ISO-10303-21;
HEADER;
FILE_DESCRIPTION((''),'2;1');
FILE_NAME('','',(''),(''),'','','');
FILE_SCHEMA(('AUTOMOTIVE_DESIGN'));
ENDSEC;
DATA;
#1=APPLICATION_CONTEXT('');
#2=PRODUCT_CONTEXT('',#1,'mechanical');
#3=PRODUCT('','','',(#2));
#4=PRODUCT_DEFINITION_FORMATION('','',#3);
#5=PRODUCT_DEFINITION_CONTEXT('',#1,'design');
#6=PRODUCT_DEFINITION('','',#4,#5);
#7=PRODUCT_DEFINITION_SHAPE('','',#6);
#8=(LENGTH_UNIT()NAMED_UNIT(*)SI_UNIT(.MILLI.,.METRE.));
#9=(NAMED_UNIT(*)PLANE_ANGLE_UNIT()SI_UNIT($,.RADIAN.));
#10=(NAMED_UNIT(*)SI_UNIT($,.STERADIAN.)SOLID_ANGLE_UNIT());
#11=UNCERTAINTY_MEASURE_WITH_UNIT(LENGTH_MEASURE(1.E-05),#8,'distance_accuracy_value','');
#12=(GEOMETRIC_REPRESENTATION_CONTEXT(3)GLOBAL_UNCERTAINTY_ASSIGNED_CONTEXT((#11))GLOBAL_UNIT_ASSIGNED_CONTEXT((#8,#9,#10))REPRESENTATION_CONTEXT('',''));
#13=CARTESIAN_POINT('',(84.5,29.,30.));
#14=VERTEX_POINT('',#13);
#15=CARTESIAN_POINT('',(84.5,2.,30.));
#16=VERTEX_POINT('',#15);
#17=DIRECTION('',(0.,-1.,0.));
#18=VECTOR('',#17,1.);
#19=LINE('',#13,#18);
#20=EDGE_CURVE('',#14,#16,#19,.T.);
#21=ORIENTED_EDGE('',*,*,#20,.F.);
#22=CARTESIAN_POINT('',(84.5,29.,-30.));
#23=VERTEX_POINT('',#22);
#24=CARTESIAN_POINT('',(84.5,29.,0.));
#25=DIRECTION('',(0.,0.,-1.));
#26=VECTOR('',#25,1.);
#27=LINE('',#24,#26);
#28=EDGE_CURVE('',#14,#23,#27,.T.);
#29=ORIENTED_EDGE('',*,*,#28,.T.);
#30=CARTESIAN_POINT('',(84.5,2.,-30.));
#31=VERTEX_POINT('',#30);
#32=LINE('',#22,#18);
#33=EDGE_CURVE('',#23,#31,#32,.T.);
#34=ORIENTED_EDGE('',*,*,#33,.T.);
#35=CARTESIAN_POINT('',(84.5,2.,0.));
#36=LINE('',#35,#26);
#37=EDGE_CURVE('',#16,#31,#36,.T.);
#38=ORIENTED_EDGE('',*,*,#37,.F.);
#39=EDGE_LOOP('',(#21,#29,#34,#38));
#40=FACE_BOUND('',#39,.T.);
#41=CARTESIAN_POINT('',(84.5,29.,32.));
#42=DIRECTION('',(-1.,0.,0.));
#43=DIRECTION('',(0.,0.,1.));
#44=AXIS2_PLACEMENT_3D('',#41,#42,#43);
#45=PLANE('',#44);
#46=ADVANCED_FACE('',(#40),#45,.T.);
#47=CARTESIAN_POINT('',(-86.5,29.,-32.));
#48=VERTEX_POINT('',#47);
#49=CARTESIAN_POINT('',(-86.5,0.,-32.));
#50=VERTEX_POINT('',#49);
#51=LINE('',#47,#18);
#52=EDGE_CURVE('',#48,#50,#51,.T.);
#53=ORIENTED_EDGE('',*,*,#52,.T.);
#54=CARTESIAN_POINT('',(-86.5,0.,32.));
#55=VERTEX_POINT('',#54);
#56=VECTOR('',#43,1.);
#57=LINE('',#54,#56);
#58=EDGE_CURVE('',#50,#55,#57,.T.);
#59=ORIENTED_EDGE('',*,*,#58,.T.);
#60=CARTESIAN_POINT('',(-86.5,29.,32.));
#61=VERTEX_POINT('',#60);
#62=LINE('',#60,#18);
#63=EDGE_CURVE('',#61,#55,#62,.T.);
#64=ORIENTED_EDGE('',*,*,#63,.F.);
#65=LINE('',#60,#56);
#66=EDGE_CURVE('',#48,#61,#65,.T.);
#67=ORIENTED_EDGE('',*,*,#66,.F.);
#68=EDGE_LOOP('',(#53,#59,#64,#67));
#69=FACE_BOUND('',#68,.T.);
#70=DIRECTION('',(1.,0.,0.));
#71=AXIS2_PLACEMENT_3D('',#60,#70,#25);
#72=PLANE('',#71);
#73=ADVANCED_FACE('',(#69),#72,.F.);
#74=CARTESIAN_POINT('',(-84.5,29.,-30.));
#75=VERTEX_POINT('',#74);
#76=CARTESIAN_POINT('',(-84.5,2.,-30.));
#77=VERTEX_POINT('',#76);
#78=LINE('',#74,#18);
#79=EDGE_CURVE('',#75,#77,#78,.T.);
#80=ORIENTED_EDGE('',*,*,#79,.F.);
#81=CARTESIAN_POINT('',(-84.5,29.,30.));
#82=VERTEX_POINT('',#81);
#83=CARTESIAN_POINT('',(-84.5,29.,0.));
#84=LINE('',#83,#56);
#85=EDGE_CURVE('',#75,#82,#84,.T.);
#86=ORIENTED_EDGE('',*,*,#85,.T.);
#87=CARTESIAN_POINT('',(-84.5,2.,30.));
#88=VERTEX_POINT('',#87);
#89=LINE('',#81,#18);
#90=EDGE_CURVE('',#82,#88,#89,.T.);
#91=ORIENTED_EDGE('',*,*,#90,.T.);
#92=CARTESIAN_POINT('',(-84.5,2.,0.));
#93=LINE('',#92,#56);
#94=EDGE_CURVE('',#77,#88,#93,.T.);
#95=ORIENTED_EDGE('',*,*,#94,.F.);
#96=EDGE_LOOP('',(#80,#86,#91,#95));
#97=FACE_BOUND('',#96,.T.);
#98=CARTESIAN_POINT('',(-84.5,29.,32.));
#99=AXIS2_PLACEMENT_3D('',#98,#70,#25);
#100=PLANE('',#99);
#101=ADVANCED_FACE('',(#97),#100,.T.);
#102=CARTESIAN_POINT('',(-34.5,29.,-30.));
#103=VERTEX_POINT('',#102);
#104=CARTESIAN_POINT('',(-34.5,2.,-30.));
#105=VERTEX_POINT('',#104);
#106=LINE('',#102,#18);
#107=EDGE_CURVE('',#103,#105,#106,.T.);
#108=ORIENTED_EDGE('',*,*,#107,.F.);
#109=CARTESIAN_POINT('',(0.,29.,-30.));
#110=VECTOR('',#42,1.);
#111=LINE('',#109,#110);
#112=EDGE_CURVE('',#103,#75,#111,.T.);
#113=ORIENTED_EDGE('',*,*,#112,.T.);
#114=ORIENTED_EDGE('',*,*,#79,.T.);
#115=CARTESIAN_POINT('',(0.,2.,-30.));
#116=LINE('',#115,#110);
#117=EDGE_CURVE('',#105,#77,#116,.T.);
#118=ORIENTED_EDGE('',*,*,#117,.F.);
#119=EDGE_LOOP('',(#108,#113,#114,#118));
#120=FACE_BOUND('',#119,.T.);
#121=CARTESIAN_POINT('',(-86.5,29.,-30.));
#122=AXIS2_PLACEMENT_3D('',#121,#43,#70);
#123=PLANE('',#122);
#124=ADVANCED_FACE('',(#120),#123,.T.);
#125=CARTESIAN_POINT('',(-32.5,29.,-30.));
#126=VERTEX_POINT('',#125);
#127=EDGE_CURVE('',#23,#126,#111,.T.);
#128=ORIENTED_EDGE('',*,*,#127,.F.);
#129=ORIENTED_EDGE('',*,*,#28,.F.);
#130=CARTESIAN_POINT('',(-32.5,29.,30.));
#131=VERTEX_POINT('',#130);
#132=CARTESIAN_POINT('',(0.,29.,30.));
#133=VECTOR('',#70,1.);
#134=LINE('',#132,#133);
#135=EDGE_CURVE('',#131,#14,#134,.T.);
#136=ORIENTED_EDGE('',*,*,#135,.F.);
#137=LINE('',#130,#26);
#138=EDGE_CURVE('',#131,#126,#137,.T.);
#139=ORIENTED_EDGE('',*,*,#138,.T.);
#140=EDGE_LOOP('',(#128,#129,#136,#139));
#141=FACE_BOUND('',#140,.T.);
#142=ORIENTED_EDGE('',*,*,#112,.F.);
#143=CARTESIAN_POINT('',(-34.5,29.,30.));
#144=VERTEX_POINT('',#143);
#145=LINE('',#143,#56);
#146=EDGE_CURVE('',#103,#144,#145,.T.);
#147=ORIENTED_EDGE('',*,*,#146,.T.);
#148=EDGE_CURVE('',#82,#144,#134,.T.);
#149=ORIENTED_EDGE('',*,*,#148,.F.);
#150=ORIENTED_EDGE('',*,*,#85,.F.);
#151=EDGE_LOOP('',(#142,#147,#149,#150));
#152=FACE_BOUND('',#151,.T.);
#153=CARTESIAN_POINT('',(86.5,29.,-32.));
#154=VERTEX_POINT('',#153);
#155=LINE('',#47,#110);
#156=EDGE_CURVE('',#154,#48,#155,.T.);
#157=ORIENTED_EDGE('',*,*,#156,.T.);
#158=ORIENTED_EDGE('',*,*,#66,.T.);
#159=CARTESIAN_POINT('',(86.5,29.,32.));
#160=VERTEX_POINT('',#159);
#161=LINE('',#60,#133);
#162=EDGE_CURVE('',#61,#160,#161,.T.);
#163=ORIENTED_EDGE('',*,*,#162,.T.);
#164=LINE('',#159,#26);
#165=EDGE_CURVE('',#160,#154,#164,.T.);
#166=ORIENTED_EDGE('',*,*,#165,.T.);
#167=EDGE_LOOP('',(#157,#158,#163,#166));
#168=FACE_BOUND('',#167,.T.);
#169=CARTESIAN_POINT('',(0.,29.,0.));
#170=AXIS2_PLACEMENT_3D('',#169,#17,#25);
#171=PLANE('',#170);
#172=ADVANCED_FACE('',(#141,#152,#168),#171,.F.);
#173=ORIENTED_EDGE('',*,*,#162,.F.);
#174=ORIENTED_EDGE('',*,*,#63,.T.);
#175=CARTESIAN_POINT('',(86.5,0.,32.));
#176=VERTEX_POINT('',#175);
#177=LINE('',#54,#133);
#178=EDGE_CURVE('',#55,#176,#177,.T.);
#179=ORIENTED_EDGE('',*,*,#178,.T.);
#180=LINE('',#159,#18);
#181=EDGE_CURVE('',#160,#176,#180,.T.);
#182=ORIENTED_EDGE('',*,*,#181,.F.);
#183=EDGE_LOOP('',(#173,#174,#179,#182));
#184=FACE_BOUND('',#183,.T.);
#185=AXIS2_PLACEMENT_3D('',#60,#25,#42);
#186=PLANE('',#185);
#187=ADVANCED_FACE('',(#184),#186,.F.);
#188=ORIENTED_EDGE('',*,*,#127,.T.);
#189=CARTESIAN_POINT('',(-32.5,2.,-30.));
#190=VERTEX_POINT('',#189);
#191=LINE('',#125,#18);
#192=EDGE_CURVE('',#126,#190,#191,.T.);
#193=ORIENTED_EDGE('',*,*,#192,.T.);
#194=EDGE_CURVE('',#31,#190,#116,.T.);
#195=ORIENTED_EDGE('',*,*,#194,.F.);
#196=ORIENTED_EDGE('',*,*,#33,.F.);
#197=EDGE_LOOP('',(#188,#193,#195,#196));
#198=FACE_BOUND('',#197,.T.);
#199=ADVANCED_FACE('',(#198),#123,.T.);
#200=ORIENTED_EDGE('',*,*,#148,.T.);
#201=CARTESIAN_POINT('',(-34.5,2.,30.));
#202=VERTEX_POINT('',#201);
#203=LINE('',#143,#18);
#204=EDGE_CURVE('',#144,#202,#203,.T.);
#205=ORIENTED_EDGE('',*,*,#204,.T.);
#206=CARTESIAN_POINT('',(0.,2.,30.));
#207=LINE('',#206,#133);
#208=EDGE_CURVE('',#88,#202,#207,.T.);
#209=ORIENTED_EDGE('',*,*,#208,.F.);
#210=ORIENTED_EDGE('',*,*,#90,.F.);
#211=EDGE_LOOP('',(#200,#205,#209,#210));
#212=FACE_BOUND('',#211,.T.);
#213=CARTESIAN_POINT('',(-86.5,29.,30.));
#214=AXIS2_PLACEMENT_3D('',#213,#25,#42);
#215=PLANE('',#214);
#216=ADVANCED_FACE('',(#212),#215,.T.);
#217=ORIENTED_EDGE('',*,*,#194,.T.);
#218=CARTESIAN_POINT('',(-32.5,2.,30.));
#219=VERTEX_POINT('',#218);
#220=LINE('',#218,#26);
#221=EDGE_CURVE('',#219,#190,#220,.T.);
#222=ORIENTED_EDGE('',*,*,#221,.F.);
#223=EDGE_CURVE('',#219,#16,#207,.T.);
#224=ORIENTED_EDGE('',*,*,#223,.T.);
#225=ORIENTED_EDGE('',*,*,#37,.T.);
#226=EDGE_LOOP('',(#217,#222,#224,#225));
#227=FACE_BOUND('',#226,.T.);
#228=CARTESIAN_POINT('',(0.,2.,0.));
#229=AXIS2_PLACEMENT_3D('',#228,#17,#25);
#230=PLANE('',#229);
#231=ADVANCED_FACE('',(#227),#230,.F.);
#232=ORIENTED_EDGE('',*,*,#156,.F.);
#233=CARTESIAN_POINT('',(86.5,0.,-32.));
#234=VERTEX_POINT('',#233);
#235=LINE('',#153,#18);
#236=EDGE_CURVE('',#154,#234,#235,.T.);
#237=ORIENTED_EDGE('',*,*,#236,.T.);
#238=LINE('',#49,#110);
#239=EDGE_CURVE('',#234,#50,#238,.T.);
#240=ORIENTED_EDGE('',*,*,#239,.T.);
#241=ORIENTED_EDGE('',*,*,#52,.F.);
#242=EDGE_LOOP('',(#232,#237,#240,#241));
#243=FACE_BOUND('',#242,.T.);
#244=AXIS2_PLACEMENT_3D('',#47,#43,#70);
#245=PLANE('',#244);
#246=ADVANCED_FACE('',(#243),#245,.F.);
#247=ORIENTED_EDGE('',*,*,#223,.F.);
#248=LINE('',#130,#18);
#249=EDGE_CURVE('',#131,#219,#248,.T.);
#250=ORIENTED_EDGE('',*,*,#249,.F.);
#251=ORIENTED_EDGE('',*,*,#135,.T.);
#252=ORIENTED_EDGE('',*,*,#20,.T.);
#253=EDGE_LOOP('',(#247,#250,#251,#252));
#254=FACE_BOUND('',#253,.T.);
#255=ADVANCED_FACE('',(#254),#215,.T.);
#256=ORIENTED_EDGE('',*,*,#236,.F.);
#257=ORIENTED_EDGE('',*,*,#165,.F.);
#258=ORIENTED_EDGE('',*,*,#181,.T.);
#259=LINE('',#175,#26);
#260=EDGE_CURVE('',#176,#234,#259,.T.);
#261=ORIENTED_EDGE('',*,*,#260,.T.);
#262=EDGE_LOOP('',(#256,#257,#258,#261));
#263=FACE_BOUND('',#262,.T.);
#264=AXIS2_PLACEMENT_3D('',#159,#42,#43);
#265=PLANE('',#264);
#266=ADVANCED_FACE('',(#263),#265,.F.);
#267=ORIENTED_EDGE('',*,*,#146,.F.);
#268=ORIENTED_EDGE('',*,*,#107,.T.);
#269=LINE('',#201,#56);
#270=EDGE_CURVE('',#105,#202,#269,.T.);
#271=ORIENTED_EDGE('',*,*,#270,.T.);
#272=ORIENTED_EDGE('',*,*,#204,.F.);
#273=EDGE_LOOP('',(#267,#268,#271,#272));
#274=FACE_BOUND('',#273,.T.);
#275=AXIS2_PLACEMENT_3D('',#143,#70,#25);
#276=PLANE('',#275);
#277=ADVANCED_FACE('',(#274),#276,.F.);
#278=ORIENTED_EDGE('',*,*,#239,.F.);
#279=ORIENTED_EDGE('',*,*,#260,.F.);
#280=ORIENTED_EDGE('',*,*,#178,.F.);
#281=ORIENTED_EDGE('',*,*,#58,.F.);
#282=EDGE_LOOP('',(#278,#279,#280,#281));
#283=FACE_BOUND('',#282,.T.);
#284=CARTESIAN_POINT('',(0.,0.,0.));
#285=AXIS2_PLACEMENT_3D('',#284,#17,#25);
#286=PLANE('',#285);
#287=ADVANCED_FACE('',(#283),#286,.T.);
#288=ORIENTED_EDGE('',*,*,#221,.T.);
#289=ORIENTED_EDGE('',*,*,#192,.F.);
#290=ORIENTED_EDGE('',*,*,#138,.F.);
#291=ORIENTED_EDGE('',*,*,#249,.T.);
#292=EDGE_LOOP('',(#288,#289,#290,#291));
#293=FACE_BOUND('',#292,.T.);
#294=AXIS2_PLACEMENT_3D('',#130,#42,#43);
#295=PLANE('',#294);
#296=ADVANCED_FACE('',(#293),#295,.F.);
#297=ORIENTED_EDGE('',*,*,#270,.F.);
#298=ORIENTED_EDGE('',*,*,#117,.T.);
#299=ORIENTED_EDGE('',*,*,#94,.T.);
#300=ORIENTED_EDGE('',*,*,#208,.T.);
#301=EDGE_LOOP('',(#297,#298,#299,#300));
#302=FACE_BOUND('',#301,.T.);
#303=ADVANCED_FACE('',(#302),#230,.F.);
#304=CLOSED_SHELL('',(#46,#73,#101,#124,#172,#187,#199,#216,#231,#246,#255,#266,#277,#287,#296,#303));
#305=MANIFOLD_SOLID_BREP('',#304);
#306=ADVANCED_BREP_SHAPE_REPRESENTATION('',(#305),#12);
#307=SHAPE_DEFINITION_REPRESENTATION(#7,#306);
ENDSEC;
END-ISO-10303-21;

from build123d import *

# Parameters (mm, degrees)
SKETCH1_W           = 173
SKETCH1_H           = 64
BOSS_EXTRUDE1_DEPTH = 29
SHELL1_T            = -2
SKETCH3_W           = 2
SKETCH3_H           = 60
BOSS_EXTRUDE2_DEPTH = 27


with BuildPart() as part:
    # Sketch1 → Boss-Extrude1 (new body)
    with BuildSketch(Plane(origin=(0, 0, 0), x_dir=(1, 0, 0), z_dir=(0, 1, 0))):
        Rectangle(SKETCH1_W, SKETCH1_H)
    extrude(amount=BOSS_EXTRUDE1_DEPTH)

    # Shell1
    shell1_openings = [part.faces().sort_by_distance(p)[0] for p in [
        (0, 29, 0),
    ]]
    offset(amount=SHELL1_T, openings=shell1_openings, kind=Kind.INTERSECTION)

    # Sketch3 → Boss-Extrude2 (add)
    with BuildSketch(Plane(origin=(0, 2, 0), x_dir=(1, 0, 0), z_dir=(0, 1, 0))):
        with Locations((-33.5, 0)):
            Rectangle(SKETCH3_W, SKETCH3_H)
    extrude(amount=BOSS_EXTRUDE2_DEPTH)


solid = part.part
